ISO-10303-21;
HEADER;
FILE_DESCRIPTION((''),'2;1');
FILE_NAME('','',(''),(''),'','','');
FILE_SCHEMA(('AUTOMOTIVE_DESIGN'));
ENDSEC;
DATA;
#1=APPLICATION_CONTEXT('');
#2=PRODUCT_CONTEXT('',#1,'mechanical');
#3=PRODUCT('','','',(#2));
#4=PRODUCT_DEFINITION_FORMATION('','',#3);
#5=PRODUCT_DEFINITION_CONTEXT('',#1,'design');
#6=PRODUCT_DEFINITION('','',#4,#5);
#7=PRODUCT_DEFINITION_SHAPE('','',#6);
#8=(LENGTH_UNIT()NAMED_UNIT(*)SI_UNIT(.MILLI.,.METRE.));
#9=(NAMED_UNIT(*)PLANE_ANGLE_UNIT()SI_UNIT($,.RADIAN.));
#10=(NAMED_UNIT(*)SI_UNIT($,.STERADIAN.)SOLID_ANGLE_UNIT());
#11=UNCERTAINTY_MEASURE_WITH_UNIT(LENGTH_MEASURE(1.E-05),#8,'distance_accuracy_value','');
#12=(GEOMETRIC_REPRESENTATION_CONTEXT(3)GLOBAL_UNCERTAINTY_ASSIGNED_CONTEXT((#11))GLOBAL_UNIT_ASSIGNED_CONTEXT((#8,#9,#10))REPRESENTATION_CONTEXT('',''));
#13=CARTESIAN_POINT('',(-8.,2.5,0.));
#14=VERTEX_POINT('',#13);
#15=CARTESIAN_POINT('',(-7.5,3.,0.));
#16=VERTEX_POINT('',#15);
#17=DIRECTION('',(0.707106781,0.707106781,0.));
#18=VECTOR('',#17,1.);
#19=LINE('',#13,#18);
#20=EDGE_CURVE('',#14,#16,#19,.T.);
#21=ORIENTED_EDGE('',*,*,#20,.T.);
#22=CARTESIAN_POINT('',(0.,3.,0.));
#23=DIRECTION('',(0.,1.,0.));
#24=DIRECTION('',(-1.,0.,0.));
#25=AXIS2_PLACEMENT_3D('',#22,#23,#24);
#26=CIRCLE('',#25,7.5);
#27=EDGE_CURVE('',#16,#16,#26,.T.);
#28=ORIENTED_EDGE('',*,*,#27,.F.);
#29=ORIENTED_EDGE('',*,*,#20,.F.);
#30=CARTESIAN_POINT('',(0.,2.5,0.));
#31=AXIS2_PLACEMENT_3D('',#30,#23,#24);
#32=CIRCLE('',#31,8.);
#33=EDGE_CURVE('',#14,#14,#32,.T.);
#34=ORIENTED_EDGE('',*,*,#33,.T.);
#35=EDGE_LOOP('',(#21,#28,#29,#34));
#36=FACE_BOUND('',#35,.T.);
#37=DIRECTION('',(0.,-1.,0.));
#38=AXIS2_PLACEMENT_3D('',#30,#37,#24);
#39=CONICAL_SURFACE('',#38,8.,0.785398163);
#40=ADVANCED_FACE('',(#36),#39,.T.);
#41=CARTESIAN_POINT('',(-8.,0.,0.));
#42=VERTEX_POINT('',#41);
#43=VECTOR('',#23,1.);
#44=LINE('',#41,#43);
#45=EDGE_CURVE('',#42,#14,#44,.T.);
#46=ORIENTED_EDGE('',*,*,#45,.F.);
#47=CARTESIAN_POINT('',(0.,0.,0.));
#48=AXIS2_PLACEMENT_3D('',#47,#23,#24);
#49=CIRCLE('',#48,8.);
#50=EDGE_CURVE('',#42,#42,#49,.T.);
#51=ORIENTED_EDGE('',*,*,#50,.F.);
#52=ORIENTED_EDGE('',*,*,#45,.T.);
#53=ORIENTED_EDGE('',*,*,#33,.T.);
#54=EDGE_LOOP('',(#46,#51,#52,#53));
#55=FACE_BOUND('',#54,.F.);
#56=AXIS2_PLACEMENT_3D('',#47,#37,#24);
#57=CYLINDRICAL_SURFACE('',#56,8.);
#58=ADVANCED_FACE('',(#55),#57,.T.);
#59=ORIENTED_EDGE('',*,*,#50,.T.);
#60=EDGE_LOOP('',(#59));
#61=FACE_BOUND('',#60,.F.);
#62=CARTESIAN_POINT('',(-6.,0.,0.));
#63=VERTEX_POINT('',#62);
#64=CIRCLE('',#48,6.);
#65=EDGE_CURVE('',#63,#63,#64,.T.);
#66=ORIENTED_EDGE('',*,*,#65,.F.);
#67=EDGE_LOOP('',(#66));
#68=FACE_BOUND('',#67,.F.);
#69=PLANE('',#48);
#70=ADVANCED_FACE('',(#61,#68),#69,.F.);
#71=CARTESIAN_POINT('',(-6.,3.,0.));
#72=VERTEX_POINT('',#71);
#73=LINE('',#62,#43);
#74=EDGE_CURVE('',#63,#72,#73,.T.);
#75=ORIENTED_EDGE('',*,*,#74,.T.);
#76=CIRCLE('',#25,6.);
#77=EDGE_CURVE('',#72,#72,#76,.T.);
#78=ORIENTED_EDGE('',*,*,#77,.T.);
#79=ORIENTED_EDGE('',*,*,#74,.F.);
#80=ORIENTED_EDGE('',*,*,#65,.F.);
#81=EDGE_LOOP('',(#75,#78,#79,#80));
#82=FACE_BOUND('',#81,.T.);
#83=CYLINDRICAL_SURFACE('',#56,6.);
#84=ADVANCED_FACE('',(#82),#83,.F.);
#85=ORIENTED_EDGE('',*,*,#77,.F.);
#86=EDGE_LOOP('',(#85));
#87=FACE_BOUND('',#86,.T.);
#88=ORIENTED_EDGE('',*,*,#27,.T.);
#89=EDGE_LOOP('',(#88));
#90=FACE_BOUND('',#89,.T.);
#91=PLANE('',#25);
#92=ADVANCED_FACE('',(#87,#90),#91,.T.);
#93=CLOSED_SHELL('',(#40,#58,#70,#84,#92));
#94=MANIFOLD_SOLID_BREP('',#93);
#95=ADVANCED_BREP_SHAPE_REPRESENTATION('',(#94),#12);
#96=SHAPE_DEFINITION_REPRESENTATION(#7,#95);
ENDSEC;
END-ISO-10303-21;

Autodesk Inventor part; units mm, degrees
ref_plane "YZ Plane" through (0, 0, 0) normal (1, 0, 0) x (0, 1, 0)
ref_plane "XZ Plane" through (0, 0, 0) normal (0, 1, 0) x (-1, 0, 0)
ref_plane "XY Plane" through (0, 0, 0) normal (0, 0, 1) x (1, 0, 0)
sketch "Sketch1" plane through (0, 0, 0) normal (0, 1, 0) x (-1, 0, 0)
  circle A0 centre (0, 0) radius 6
  circle A1 centre (0, 0) radius 8
  dimension "d0" = 12
  dimension "d1" = 16
extrude "Extrusion1" add sketch "Sketch1" along normal blind 3
chamfer "Chamfer1" distance 0.5 angle 45 1 edges at (8, 3, 0)
thread "Thread1" size "M12x1.75" class "6H" standard "ANSI Metric M Profile" full length
properties part number "Switch Nut"
